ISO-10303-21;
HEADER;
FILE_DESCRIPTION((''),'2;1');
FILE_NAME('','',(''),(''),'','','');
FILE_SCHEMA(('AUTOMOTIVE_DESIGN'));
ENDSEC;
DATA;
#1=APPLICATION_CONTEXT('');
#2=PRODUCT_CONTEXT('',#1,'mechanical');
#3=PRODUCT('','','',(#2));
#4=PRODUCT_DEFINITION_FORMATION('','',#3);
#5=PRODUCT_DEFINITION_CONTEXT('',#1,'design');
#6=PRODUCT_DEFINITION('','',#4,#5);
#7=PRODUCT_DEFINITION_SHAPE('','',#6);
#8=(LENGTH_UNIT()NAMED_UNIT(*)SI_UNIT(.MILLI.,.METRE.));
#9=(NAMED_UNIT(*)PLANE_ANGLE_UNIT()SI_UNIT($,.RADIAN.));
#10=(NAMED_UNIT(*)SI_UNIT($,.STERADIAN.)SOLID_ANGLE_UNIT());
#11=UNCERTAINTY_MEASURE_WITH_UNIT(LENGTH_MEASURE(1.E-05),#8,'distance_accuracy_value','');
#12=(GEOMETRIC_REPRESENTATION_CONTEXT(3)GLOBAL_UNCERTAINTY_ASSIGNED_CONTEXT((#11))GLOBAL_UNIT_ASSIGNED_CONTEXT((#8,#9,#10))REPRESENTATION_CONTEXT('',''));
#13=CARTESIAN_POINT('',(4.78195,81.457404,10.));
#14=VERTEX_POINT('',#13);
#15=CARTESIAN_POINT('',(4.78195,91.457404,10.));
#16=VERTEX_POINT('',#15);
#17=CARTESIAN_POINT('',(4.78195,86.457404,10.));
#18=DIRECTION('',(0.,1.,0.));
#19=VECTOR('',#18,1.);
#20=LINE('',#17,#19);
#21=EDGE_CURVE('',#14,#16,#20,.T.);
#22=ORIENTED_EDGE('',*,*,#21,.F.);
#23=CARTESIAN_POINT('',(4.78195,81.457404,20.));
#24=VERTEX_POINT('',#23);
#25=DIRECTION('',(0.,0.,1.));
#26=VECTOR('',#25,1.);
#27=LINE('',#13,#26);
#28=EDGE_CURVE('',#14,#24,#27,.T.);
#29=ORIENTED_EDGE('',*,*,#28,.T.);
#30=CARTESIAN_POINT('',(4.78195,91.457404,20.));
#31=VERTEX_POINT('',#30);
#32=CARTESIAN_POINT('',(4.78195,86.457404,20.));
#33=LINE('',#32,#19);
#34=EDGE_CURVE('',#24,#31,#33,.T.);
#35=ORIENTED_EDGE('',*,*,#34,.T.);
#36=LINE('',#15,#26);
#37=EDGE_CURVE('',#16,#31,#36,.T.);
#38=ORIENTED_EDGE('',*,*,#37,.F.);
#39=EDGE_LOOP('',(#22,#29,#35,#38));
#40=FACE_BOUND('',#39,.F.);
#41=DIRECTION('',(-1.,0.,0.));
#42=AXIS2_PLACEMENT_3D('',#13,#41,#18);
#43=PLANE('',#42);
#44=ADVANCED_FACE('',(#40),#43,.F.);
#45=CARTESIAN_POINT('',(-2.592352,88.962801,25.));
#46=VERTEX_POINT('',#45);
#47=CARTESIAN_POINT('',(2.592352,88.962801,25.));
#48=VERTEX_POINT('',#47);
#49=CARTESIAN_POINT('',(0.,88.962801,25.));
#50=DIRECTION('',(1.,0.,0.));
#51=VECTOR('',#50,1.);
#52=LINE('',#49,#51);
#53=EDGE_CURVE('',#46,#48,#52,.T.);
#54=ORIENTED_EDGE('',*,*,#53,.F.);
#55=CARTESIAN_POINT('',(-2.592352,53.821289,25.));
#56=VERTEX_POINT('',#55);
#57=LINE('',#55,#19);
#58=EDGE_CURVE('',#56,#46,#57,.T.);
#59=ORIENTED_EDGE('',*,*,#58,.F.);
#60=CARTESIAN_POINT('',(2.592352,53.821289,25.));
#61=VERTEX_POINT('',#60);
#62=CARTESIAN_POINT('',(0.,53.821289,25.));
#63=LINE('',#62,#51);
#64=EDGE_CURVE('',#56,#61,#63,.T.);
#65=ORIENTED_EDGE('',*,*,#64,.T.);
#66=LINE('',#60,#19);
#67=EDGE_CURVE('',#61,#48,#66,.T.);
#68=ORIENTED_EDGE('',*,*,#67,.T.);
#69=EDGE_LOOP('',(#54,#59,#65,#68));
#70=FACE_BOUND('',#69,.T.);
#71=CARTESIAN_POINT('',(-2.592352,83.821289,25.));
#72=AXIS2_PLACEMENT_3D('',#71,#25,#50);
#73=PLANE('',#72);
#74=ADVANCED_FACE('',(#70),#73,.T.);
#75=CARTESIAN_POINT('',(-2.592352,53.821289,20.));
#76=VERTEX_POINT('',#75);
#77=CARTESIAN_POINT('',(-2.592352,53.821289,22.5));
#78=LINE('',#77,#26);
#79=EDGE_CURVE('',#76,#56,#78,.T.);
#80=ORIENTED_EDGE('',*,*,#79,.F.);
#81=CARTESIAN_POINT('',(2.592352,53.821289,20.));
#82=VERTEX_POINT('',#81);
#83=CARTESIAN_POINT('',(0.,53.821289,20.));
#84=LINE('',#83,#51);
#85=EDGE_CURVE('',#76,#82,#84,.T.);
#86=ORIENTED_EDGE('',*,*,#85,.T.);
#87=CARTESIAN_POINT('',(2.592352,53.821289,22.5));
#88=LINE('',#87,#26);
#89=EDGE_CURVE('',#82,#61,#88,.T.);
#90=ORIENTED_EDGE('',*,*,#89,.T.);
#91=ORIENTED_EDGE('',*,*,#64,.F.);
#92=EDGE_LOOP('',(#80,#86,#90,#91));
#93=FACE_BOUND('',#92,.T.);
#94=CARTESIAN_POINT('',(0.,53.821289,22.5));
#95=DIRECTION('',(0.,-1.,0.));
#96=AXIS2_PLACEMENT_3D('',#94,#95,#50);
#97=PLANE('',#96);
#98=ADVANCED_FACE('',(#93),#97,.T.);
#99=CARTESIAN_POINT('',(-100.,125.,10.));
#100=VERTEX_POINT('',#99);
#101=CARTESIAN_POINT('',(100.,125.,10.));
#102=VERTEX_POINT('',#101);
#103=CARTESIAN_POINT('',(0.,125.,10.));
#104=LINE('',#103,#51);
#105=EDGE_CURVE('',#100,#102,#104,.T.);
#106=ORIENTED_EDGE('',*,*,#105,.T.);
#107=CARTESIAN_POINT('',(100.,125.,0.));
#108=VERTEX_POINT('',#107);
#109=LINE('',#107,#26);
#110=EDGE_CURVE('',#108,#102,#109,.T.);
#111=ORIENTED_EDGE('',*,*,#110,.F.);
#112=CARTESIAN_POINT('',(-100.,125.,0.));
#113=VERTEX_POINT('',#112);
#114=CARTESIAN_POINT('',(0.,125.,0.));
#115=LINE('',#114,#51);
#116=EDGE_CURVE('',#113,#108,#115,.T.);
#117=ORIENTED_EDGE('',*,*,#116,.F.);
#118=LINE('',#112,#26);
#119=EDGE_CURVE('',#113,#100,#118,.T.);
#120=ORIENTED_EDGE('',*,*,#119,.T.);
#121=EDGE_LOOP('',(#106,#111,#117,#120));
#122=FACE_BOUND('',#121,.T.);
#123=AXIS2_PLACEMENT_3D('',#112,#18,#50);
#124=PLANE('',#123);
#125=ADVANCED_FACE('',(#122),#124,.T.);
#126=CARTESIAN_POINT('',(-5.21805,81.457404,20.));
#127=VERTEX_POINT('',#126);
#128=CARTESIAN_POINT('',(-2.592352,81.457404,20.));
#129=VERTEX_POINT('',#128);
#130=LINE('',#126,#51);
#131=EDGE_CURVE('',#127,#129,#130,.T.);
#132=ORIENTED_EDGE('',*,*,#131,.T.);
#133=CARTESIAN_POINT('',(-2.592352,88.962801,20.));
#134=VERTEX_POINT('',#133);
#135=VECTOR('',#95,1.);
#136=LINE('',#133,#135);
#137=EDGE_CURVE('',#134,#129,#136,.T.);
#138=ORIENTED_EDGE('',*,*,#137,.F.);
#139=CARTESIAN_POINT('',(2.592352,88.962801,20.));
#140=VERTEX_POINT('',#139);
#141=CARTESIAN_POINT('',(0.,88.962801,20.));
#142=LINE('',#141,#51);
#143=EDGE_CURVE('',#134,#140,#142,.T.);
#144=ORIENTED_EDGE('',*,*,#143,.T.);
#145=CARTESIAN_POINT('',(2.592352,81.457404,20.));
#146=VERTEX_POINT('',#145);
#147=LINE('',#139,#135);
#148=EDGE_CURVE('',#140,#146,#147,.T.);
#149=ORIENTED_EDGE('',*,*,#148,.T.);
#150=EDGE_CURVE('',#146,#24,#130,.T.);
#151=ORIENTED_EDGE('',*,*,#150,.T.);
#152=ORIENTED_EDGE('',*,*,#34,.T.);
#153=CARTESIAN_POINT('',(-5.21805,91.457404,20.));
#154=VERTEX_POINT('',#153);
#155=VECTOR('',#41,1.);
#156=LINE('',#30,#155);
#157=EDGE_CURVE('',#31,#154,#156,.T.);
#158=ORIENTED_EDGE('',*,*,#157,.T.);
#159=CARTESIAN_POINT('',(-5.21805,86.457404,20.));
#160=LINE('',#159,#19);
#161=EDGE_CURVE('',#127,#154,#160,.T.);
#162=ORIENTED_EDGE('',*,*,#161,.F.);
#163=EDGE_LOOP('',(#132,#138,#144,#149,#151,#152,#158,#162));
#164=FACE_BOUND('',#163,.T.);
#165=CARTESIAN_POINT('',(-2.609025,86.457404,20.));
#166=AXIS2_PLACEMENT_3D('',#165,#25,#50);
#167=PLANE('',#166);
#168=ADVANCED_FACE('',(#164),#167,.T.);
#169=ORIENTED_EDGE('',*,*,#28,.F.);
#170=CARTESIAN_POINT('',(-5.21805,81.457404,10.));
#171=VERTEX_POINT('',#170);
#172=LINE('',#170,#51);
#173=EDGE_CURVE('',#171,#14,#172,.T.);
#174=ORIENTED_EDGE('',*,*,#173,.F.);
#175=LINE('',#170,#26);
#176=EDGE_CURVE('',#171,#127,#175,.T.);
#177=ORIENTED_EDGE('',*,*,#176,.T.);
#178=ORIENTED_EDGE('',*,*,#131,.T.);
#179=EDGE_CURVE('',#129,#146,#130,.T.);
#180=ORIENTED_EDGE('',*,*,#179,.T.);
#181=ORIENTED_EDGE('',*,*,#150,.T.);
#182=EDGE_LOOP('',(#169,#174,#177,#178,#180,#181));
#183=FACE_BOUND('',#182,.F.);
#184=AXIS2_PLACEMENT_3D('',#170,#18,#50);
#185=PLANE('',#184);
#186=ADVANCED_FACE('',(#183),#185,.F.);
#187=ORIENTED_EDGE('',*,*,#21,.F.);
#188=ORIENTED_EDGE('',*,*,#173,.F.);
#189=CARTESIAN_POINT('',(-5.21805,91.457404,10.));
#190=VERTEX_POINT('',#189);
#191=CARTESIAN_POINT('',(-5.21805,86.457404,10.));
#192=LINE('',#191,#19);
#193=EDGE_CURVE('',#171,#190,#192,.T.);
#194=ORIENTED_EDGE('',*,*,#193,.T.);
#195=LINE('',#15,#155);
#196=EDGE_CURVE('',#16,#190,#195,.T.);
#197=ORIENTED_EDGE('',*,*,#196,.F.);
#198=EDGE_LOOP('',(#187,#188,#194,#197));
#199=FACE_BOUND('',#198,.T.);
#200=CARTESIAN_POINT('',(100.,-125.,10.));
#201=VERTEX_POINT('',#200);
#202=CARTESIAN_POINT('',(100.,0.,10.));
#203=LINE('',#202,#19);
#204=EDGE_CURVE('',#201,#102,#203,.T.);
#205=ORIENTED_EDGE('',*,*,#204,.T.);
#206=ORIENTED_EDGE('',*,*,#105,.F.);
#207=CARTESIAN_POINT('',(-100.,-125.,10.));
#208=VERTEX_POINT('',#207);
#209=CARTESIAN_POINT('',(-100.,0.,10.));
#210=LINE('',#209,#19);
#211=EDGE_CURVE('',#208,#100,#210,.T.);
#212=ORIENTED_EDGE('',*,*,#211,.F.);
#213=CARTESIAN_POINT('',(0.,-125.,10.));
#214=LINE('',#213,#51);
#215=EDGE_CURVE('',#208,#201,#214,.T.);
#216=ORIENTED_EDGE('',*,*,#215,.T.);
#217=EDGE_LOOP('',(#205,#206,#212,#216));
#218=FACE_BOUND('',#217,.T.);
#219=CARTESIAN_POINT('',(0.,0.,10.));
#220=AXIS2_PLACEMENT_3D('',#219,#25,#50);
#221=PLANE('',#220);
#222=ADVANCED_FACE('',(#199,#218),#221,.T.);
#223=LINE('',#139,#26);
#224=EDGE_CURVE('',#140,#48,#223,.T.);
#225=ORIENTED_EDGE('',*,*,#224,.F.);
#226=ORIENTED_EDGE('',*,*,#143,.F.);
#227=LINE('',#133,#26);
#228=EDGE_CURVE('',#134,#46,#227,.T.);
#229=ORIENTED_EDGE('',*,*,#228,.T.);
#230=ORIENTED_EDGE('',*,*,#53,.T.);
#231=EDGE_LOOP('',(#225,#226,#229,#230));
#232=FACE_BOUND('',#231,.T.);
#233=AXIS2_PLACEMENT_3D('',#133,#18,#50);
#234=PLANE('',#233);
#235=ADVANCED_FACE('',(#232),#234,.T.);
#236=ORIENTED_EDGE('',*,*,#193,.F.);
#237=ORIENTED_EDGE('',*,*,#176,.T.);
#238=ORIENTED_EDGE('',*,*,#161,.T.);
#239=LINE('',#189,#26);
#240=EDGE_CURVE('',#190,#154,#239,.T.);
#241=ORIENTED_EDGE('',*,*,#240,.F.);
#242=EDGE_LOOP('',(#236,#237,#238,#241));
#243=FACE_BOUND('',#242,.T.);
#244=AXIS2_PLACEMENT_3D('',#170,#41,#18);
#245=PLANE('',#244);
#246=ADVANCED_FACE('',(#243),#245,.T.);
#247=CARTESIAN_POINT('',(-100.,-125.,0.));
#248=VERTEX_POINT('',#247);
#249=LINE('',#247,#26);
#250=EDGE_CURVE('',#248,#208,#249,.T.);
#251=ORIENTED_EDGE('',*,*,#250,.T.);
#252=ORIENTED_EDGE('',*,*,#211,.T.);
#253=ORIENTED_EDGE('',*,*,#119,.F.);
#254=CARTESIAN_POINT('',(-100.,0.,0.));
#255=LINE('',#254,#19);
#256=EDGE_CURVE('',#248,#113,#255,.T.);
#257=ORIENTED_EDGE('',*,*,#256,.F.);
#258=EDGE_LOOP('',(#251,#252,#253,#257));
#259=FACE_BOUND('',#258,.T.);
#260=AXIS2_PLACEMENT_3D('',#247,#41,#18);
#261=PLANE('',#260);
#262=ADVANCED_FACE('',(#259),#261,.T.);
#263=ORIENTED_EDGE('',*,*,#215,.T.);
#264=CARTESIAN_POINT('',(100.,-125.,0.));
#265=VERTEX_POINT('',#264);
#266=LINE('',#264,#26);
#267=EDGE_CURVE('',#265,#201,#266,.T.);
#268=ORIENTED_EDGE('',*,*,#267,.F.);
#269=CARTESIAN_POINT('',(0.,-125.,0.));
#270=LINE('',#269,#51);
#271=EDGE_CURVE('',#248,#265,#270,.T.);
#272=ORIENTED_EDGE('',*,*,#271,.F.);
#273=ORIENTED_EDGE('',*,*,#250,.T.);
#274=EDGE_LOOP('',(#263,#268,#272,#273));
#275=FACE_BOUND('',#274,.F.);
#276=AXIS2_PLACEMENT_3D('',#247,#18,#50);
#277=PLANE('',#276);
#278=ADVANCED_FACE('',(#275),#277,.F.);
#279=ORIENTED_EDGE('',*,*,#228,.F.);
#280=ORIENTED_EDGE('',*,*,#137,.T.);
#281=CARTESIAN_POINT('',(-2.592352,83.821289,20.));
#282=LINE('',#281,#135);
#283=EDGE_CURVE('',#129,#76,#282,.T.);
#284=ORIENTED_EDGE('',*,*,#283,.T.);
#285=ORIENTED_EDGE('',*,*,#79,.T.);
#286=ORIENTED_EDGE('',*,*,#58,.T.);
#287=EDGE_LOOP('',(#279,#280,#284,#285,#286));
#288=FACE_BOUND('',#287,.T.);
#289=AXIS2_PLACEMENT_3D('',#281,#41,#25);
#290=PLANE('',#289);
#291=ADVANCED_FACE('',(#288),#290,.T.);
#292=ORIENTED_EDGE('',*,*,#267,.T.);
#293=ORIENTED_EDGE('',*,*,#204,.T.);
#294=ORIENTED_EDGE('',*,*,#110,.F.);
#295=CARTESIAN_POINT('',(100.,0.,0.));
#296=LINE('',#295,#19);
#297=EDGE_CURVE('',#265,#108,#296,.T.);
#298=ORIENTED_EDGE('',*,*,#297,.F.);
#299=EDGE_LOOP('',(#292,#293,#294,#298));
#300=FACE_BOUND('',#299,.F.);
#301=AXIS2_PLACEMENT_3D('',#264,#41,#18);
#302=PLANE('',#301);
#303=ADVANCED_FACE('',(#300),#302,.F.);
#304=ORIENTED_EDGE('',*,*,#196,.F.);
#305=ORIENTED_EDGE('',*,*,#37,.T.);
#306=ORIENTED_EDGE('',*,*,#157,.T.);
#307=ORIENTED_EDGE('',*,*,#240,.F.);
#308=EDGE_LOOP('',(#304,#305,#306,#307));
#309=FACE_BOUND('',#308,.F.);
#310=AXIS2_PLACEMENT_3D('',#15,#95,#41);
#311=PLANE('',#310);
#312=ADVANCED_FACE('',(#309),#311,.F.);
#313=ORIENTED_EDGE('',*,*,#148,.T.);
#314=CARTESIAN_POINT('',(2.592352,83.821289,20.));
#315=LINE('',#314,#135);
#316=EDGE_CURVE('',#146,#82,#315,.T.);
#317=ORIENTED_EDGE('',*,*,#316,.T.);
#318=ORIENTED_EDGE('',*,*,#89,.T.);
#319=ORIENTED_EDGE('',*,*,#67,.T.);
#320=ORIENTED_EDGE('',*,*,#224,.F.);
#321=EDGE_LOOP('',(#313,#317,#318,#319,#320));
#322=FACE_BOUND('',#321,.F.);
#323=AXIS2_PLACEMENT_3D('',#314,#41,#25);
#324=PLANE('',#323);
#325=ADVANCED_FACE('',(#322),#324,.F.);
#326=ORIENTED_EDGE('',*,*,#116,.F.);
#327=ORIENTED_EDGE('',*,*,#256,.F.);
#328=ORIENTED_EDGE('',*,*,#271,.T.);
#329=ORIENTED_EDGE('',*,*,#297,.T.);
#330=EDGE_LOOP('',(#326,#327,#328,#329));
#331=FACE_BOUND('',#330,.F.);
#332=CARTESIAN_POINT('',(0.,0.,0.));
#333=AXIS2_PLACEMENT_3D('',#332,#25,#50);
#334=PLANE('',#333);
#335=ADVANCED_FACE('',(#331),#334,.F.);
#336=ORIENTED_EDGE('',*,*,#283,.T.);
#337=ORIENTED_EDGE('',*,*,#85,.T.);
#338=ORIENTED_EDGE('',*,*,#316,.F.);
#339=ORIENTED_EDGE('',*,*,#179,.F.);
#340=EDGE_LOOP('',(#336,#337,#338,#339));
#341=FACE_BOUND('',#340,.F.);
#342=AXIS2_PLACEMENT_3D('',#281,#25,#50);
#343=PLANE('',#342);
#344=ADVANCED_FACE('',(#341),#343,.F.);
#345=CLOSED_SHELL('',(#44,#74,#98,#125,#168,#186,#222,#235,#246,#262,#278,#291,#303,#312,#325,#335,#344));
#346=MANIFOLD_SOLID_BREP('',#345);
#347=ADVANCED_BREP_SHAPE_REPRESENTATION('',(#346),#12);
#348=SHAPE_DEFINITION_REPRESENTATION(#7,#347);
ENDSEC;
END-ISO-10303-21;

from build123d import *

# Parameters (mm, degrees)
F0_W     = 200
F0_H     = 250
F1_DEPTH = 10
F2_W     = 5.21805
F2_H     = 10
F2_W_2   = 4.78195
F3_DEPTH = 10
F5_W     = 5.184704
F5_H     = 5.141512
F6_DEPTH = 5
F7_W     = 5.184704
F7_H     = 5
F8_DEPTH = 30


with BuildPart() as f1:
    # F0 (on Top) → F1 (new body)
    with BuildSketch(Plane.XY):
        Rectangle(F0_W, F0_H)
    extrude(amount=F1_DEPTH)

    # F2 (on face) → F3 (join)
    with BuildSketch(Plane.XY.offset(10)):
        with Locations((-2.609025, 86.457404)):
            Rectangle(F2_W, F2_H)
        with Locations((2.390975, 86.457404)):
            Rectangle(F2_W_2, F2_H)
    extrude(amount=F3_DEPTH)

    # F5 (on face) → F6 (join)
    with BuildSketch(Plane.XY.offset(20)):
        with Locations((0, 86.392045)):
            Rectangle(F5_W, F5_H)
    extrude(amount=F6_DEPTH)

    # F7 (on face) → F8 (join)
    with BuildSketch(Plane.XZ.offset(-83.821289)):
        with Locations((0, 22.5)):
            Rectangle(F7_W, F7_H)
    extrude(amount=F8_DEPTH)


solid = f1.part
